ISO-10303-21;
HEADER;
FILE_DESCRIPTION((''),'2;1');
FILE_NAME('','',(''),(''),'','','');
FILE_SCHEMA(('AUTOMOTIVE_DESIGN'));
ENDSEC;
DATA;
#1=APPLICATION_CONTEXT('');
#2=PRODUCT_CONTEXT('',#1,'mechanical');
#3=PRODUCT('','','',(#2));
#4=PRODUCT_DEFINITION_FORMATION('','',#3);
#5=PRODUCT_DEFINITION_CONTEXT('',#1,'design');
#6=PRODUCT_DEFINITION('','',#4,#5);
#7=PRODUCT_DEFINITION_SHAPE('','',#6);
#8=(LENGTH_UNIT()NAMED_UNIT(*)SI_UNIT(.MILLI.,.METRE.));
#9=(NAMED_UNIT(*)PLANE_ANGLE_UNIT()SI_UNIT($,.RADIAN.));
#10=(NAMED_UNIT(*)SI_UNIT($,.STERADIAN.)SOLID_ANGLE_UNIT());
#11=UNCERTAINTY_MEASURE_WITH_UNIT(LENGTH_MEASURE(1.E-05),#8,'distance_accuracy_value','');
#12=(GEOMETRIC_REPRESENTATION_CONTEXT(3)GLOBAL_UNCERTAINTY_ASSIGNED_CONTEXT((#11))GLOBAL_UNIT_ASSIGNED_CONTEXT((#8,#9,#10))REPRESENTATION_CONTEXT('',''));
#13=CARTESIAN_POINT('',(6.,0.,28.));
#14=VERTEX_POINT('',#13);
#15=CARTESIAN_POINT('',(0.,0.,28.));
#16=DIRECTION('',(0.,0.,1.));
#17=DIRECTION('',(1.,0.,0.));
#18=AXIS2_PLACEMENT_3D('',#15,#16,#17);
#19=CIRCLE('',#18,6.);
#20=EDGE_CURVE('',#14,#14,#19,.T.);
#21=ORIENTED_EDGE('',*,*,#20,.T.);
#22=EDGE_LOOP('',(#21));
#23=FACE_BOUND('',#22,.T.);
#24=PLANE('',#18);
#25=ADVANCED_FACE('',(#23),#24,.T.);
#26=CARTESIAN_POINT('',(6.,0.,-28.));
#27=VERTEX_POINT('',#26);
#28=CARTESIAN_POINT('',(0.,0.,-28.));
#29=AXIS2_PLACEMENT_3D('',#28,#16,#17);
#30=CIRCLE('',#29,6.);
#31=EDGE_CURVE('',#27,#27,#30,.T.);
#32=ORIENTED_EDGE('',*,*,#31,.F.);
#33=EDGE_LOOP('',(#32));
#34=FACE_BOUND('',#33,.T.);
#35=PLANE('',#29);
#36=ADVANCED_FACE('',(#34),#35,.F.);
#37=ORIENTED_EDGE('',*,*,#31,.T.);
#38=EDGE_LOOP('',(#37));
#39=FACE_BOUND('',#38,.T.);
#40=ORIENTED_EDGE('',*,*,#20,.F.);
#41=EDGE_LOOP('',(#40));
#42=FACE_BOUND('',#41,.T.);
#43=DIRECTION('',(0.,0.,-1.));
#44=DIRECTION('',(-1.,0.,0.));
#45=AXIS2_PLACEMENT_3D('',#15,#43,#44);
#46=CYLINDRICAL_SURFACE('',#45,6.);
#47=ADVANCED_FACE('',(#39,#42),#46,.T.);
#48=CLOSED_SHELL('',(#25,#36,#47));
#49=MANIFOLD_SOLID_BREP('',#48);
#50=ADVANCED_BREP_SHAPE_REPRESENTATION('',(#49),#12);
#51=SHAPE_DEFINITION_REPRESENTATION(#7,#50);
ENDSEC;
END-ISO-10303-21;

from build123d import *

# Parameters (mm, degrees)
SKETCH1_R           = 6
BOSS_EXTRUDE1_DEPTH = 28


with BuildPart() as part:
    # Sketch1 → Boss-Extrude1 (new body, symmetric)
    with BuildSketch(Plane.XY):
        Circle(SKETCH1_R)
    extrude(amount=BOSS_EXTRUDE1_DEPTH, both=True)


solid = part.part
